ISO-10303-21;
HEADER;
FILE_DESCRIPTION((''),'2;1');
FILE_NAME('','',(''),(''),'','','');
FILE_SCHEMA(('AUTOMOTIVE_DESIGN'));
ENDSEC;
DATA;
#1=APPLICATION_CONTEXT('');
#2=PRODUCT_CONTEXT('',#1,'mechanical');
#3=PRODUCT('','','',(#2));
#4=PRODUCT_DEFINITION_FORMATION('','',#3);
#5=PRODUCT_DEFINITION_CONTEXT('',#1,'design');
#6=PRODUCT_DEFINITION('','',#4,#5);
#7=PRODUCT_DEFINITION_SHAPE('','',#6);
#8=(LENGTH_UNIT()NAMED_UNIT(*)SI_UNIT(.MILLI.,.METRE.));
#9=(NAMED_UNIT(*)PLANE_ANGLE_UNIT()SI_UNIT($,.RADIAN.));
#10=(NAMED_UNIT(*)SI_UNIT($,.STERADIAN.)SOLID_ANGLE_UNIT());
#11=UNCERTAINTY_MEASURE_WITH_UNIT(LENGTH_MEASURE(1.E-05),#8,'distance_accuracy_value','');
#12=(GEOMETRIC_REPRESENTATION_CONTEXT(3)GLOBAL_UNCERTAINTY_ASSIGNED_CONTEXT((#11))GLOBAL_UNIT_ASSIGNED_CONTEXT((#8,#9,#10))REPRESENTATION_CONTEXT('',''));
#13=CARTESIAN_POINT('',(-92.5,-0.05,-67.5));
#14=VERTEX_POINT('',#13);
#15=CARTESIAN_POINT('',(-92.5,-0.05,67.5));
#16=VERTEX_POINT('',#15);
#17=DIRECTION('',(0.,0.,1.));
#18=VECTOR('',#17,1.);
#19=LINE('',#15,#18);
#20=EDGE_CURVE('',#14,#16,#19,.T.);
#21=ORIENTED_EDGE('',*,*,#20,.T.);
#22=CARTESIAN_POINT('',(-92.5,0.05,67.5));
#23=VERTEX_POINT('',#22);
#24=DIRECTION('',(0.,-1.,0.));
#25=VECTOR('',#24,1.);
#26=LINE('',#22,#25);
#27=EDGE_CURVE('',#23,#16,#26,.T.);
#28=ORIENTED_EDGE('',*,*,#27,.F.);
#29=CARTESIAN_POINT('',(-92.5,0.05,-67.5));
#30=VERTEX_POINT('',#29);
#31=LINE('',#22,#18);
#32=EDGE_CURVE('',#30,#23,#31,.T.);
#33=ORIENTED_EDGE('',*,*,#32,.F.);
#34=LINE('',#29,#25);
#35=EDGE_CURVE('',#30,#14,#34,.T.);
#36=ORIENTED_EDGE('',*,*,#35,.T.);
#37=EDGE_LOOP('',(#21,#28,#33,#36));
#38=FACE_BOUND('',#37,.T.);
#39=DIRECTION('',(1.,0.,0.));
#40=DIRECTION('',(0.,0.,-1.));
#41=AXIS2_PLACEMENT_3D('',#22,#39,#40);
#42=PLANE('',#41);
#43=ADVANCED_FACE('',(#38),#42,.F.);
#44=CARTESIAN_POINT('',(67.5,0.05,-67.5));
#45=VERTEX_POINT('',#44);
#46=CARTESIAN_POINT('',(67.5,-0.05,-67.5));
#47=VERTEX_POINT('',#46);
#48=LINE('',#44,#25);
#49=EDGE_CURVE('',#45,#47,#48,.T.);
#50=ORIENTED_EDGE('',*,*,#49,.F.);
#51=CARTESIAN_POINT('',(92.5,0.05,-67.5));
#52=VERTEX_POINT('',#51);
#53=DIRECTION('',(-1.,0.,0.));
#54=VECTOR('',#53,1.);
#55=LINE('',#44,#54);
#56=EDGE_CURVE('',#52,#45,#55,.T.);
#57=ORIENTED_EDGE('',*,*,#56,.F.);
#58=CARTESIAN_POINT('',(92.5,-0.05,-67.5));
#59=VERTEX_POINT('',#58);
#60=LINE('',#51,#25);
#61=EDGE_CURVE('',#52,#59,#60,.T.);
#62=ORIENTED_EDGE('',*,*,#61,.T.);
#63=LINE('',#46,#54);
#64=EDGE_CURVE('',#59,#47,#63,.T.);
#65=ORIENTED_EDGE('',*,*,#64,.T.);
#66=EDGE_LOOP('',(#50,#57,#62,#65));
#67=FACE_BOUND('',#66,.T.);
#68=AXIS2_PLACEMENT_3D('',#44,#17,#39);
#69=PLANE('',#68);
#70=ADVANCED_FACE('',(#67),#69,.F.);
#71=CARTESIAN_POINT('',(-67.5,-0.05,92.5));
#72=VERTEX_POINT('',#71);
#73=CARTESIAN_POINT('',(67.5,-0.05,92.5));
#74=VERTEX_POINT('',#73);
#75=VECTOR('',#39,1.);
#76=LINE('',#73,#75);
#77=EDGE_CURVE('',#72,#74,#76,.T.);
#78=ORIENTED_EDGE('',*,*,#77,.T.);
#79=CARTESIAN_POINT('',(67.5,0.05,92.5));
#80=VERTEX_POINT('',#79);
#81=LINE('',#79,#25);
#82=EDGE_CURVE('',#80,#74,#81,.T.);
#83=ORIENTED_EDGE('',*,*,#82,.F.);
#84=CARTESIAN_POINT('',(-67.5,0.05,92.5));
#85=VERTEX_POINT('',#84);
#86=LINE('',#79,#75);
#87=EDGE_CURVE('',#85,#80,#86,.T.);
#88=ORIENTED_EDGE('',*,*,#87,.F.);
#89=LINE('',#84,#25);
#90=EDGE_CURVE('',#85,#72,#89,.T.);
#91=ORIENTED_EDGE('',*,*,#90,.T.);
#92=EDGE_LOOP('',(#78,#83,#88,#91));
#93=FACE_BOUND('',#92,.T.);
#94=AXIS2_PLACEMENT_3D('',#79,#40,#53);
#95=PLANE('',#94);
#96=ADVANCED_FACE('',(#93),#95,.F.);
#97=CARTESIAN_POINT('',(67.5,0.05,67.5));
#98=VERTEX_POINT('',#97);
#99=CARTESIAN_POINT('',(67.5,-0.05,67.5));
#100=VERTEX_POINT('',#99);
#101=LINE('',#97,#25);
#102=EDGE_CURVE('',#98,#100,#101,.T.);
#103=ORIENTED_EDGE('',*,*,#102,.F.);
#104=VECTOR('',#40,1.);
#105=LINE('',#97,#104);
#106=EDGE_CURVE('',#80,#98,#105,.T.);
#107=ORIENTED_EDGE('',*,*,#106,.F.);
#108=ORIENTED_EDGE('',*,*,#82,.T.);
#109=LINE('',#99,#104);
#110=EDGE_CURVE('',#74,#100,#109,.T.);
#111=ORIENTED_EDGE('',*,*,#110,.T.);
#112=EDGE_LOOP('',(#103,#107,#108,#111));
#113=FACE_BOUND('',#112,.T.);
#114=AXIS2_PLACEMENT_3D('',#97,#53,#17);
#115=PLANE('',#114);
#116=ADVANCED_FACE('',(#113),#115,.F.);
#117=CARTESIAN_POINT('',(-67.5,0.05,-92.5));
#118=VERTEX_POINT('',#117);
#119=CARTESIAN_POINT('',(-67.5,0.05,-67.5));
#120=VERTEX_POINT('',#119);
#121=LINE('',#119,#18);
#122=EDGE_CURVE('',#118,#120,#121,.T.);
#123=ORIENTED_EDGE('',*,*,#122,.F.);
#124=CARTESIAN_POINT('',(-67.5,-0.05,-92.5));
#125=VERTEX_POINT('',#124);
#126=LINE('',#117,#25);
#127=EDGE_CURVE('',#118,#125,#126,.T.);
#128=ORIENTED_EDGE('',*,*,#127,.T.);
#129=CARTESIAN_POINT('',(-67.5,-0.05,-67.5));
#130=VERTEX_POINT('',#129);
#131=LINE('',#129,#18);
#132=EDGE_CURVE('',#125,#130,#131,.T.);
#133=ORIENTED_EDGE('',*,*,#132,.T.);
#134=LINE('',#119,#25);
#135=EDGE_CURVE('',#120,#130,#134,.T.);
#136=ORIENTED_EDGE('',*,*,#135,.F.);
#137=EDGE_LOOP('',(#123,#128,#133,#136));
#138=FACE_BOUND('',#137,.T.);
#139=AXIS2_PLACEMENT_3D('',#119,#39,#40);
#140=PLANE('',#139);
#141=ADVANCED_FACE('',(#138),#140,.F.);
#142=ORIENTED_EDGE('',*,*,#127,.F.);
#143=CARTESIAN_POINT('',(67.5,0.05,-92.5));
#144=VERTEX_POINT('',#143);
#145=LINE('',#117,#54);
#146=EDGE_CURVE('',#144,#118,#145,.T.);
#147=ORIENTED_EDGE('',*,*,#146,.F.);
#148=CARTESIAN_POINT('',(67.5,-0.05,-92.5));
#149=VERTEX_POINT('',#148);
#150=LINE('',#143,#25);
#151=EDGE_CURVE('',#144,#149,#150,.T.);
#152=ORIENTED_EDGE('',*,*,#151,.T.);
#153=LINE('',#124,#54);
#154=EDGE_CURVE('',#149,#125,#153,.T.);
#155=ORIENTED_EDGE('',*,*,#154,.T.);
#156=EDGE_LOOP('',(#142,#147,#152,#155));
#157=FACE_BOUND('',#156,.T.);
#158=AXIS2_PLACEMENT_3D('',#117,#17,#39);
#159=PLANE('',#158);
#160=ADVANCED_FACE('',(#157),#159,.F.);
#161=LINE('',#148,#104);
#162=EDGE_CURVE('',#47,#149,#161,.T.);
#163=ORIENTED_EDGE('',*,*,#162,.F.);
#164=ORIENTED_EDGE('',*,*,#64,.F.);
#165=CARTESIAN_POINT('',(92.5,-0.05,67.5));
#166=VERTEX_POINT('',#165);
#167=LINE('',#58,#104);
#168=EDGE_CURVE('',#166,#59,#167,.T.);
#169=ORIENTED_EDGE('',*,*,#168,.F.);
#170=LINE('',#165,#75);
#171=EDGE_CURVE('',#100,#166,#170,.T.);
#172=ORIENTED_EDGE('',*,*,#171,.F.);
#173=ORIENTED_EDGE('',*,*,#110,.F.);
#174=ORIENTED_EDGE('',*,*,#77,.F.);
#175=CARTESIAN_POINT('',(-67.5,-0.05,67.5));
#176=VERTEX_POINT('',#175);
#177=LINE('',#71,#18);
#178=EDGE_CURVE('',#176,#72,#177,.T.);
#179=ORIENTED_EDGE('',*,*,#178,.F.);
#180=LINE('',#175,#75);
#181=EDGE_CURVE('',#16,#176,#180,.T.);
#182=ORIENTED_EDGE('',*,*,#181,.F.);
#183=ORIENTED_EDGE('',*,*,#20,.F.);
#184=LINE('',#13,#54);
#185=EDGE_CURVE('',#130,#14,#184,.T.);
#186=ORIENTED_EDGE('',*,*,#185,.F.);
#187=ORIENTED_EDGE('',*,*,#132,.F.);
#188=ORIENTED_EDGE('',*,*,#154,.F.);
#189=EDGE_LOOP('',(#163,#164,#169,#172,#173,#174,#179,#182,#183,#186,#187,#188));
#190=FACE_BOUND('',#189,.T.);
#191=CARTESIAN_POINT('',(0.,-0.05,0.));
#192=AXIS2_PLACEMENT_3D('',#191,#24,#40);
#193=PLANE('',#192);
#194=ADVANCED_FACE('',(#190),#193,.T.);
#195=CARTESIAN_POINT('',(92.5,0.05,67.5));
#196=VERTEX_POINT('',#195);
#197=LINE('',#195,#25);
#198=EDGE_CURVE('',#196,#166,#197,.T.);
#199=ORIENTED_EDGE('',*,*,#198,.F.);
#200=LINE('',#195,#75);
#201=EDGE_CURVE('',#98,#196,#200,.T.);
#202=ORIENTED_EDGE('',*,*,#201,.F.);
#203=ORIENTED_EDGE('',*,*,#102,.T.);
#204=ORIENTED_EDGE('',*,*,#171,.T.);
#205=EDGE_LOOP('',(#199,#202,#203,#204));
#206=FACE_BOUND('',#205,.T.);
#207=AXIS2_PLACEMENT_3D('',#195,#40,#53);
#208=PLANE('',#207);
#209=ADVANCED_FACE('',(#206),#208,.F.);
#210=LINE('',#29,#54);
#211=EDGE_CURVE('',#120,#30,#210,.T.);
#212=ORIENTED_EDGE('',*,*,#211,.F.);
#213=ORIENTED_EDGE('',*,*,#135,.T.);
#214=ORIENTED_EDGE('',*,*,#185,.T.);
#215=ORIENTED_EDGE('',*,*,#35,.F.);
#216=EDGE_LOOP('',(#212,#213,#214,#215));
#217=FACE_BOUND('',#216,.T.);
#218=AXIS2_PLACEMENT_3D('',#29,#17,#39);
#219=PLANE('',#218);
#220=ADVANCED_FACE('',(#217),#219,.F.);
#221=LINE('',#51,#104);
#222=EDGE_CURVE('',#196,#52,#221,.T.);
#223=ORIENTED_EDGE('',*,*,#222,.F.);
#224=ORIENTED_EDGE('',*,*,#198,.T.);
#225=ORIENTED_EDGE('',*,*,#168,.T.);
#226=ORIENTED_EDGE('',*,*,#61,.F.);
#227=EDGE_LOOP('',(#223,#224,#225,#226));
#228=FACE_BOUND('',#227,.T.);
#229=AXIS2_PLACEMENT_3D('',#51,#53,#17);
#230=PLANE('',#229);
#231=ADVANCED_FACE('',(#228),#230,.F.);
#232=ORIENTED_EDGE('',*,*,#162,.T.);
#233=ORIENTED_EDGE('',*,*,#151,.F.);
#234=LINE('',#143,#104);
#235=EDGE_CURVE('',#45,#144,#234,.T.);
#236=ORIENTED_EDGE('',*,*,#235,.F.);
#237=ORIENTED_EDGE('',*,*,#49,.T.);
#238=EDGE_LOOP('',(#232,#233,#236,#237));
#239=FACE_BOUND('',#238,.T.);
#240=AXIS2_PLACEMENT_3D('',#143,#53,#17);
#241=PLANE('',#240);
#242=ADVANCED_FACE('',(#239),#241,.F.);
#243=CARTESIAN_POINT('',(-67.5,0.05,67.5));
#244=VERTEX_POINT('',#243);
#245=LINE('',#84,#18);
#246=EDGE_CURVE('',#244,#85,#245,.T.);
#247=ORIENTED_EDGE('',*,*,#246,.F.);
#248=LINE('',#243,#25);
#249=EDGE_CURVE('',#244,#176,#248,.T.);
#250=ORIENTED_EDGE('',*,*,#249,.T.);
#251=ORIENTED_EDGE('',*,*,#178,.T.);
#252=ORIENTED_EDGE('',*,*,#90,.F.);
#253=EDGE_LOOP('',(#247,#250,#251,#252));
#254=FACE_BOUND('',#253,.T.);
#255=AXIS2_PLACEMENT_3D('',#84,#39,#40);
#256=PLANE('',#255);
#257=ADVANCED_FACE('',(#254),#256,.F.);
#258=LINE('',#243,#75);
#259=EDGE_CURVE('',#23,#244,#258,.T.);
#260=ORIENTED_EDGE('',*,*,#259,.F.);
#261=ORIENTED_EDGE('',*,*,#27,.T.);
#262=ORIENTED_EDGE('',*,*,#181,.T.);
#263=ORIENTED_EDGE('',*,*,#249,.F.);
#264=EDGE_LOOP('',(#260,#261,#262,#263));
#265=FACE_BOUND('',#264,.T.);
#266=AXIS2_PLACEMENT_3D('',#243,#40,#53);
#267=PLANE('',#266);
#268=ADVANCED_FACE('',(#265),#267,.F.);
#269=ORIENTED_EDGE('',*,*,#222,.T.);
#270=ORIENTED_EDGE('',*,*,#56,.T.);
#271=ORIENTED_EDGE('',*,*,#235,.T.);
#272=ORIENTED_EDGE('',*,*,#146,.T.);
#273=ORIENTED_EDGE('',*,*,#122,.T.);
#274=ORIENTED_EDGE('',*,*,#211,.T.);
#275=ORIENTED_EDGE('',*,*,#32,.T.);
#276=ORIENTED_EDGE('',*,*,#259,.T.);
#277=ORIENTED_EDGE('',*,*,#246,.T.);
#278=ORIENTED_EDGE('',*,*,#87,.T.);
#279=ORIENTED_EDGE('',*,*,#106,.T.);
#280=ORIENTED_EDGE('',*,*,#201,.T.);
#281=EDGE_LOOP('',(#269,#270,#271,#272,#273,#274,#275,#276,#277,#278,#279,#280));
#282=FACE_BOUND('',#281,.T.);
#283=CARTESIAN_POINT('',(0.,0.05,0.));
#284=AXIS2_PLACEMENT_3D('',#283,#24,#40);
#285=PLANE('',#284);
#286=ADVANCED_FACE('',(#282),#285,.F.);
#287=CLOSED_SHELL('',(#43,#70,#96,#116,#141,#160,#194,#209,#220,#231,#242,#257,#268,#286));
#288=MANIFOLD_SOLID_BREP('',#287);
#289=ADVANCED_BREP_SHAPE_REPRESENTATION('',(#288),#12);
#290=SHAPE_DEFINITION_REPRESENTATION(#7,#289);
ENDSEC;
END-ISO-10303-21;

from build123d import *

# Parameters (mm, degrees)
BOSS_EXTRUDE1_DEPTH = 0.05


with BuildPart() as part:
    # Sketch1 → Boss-Extrude1 (new, symmetric)
    with BuildSketch(Plane(origin=(0, 0, 0), x_dir=(1, 0, 0), z_dir=(0, 1, 0))):
        Polygon((-67.5, 92.5), (67.5, 92.5), (67.5, 67.5), (92.5, 67.5), (92.5, -67.5), (67.5, -67.5), (67.5, -92.5), (-67.5, -92.5), (-67.5, -67.5), (-92.5, -67.5), (-92.5, 67.5), (-67.5, 67.5), align=None)
    extrude(amount=BOSS_EXTRUDE1_DEPTH, both=True)


solid = part.part
